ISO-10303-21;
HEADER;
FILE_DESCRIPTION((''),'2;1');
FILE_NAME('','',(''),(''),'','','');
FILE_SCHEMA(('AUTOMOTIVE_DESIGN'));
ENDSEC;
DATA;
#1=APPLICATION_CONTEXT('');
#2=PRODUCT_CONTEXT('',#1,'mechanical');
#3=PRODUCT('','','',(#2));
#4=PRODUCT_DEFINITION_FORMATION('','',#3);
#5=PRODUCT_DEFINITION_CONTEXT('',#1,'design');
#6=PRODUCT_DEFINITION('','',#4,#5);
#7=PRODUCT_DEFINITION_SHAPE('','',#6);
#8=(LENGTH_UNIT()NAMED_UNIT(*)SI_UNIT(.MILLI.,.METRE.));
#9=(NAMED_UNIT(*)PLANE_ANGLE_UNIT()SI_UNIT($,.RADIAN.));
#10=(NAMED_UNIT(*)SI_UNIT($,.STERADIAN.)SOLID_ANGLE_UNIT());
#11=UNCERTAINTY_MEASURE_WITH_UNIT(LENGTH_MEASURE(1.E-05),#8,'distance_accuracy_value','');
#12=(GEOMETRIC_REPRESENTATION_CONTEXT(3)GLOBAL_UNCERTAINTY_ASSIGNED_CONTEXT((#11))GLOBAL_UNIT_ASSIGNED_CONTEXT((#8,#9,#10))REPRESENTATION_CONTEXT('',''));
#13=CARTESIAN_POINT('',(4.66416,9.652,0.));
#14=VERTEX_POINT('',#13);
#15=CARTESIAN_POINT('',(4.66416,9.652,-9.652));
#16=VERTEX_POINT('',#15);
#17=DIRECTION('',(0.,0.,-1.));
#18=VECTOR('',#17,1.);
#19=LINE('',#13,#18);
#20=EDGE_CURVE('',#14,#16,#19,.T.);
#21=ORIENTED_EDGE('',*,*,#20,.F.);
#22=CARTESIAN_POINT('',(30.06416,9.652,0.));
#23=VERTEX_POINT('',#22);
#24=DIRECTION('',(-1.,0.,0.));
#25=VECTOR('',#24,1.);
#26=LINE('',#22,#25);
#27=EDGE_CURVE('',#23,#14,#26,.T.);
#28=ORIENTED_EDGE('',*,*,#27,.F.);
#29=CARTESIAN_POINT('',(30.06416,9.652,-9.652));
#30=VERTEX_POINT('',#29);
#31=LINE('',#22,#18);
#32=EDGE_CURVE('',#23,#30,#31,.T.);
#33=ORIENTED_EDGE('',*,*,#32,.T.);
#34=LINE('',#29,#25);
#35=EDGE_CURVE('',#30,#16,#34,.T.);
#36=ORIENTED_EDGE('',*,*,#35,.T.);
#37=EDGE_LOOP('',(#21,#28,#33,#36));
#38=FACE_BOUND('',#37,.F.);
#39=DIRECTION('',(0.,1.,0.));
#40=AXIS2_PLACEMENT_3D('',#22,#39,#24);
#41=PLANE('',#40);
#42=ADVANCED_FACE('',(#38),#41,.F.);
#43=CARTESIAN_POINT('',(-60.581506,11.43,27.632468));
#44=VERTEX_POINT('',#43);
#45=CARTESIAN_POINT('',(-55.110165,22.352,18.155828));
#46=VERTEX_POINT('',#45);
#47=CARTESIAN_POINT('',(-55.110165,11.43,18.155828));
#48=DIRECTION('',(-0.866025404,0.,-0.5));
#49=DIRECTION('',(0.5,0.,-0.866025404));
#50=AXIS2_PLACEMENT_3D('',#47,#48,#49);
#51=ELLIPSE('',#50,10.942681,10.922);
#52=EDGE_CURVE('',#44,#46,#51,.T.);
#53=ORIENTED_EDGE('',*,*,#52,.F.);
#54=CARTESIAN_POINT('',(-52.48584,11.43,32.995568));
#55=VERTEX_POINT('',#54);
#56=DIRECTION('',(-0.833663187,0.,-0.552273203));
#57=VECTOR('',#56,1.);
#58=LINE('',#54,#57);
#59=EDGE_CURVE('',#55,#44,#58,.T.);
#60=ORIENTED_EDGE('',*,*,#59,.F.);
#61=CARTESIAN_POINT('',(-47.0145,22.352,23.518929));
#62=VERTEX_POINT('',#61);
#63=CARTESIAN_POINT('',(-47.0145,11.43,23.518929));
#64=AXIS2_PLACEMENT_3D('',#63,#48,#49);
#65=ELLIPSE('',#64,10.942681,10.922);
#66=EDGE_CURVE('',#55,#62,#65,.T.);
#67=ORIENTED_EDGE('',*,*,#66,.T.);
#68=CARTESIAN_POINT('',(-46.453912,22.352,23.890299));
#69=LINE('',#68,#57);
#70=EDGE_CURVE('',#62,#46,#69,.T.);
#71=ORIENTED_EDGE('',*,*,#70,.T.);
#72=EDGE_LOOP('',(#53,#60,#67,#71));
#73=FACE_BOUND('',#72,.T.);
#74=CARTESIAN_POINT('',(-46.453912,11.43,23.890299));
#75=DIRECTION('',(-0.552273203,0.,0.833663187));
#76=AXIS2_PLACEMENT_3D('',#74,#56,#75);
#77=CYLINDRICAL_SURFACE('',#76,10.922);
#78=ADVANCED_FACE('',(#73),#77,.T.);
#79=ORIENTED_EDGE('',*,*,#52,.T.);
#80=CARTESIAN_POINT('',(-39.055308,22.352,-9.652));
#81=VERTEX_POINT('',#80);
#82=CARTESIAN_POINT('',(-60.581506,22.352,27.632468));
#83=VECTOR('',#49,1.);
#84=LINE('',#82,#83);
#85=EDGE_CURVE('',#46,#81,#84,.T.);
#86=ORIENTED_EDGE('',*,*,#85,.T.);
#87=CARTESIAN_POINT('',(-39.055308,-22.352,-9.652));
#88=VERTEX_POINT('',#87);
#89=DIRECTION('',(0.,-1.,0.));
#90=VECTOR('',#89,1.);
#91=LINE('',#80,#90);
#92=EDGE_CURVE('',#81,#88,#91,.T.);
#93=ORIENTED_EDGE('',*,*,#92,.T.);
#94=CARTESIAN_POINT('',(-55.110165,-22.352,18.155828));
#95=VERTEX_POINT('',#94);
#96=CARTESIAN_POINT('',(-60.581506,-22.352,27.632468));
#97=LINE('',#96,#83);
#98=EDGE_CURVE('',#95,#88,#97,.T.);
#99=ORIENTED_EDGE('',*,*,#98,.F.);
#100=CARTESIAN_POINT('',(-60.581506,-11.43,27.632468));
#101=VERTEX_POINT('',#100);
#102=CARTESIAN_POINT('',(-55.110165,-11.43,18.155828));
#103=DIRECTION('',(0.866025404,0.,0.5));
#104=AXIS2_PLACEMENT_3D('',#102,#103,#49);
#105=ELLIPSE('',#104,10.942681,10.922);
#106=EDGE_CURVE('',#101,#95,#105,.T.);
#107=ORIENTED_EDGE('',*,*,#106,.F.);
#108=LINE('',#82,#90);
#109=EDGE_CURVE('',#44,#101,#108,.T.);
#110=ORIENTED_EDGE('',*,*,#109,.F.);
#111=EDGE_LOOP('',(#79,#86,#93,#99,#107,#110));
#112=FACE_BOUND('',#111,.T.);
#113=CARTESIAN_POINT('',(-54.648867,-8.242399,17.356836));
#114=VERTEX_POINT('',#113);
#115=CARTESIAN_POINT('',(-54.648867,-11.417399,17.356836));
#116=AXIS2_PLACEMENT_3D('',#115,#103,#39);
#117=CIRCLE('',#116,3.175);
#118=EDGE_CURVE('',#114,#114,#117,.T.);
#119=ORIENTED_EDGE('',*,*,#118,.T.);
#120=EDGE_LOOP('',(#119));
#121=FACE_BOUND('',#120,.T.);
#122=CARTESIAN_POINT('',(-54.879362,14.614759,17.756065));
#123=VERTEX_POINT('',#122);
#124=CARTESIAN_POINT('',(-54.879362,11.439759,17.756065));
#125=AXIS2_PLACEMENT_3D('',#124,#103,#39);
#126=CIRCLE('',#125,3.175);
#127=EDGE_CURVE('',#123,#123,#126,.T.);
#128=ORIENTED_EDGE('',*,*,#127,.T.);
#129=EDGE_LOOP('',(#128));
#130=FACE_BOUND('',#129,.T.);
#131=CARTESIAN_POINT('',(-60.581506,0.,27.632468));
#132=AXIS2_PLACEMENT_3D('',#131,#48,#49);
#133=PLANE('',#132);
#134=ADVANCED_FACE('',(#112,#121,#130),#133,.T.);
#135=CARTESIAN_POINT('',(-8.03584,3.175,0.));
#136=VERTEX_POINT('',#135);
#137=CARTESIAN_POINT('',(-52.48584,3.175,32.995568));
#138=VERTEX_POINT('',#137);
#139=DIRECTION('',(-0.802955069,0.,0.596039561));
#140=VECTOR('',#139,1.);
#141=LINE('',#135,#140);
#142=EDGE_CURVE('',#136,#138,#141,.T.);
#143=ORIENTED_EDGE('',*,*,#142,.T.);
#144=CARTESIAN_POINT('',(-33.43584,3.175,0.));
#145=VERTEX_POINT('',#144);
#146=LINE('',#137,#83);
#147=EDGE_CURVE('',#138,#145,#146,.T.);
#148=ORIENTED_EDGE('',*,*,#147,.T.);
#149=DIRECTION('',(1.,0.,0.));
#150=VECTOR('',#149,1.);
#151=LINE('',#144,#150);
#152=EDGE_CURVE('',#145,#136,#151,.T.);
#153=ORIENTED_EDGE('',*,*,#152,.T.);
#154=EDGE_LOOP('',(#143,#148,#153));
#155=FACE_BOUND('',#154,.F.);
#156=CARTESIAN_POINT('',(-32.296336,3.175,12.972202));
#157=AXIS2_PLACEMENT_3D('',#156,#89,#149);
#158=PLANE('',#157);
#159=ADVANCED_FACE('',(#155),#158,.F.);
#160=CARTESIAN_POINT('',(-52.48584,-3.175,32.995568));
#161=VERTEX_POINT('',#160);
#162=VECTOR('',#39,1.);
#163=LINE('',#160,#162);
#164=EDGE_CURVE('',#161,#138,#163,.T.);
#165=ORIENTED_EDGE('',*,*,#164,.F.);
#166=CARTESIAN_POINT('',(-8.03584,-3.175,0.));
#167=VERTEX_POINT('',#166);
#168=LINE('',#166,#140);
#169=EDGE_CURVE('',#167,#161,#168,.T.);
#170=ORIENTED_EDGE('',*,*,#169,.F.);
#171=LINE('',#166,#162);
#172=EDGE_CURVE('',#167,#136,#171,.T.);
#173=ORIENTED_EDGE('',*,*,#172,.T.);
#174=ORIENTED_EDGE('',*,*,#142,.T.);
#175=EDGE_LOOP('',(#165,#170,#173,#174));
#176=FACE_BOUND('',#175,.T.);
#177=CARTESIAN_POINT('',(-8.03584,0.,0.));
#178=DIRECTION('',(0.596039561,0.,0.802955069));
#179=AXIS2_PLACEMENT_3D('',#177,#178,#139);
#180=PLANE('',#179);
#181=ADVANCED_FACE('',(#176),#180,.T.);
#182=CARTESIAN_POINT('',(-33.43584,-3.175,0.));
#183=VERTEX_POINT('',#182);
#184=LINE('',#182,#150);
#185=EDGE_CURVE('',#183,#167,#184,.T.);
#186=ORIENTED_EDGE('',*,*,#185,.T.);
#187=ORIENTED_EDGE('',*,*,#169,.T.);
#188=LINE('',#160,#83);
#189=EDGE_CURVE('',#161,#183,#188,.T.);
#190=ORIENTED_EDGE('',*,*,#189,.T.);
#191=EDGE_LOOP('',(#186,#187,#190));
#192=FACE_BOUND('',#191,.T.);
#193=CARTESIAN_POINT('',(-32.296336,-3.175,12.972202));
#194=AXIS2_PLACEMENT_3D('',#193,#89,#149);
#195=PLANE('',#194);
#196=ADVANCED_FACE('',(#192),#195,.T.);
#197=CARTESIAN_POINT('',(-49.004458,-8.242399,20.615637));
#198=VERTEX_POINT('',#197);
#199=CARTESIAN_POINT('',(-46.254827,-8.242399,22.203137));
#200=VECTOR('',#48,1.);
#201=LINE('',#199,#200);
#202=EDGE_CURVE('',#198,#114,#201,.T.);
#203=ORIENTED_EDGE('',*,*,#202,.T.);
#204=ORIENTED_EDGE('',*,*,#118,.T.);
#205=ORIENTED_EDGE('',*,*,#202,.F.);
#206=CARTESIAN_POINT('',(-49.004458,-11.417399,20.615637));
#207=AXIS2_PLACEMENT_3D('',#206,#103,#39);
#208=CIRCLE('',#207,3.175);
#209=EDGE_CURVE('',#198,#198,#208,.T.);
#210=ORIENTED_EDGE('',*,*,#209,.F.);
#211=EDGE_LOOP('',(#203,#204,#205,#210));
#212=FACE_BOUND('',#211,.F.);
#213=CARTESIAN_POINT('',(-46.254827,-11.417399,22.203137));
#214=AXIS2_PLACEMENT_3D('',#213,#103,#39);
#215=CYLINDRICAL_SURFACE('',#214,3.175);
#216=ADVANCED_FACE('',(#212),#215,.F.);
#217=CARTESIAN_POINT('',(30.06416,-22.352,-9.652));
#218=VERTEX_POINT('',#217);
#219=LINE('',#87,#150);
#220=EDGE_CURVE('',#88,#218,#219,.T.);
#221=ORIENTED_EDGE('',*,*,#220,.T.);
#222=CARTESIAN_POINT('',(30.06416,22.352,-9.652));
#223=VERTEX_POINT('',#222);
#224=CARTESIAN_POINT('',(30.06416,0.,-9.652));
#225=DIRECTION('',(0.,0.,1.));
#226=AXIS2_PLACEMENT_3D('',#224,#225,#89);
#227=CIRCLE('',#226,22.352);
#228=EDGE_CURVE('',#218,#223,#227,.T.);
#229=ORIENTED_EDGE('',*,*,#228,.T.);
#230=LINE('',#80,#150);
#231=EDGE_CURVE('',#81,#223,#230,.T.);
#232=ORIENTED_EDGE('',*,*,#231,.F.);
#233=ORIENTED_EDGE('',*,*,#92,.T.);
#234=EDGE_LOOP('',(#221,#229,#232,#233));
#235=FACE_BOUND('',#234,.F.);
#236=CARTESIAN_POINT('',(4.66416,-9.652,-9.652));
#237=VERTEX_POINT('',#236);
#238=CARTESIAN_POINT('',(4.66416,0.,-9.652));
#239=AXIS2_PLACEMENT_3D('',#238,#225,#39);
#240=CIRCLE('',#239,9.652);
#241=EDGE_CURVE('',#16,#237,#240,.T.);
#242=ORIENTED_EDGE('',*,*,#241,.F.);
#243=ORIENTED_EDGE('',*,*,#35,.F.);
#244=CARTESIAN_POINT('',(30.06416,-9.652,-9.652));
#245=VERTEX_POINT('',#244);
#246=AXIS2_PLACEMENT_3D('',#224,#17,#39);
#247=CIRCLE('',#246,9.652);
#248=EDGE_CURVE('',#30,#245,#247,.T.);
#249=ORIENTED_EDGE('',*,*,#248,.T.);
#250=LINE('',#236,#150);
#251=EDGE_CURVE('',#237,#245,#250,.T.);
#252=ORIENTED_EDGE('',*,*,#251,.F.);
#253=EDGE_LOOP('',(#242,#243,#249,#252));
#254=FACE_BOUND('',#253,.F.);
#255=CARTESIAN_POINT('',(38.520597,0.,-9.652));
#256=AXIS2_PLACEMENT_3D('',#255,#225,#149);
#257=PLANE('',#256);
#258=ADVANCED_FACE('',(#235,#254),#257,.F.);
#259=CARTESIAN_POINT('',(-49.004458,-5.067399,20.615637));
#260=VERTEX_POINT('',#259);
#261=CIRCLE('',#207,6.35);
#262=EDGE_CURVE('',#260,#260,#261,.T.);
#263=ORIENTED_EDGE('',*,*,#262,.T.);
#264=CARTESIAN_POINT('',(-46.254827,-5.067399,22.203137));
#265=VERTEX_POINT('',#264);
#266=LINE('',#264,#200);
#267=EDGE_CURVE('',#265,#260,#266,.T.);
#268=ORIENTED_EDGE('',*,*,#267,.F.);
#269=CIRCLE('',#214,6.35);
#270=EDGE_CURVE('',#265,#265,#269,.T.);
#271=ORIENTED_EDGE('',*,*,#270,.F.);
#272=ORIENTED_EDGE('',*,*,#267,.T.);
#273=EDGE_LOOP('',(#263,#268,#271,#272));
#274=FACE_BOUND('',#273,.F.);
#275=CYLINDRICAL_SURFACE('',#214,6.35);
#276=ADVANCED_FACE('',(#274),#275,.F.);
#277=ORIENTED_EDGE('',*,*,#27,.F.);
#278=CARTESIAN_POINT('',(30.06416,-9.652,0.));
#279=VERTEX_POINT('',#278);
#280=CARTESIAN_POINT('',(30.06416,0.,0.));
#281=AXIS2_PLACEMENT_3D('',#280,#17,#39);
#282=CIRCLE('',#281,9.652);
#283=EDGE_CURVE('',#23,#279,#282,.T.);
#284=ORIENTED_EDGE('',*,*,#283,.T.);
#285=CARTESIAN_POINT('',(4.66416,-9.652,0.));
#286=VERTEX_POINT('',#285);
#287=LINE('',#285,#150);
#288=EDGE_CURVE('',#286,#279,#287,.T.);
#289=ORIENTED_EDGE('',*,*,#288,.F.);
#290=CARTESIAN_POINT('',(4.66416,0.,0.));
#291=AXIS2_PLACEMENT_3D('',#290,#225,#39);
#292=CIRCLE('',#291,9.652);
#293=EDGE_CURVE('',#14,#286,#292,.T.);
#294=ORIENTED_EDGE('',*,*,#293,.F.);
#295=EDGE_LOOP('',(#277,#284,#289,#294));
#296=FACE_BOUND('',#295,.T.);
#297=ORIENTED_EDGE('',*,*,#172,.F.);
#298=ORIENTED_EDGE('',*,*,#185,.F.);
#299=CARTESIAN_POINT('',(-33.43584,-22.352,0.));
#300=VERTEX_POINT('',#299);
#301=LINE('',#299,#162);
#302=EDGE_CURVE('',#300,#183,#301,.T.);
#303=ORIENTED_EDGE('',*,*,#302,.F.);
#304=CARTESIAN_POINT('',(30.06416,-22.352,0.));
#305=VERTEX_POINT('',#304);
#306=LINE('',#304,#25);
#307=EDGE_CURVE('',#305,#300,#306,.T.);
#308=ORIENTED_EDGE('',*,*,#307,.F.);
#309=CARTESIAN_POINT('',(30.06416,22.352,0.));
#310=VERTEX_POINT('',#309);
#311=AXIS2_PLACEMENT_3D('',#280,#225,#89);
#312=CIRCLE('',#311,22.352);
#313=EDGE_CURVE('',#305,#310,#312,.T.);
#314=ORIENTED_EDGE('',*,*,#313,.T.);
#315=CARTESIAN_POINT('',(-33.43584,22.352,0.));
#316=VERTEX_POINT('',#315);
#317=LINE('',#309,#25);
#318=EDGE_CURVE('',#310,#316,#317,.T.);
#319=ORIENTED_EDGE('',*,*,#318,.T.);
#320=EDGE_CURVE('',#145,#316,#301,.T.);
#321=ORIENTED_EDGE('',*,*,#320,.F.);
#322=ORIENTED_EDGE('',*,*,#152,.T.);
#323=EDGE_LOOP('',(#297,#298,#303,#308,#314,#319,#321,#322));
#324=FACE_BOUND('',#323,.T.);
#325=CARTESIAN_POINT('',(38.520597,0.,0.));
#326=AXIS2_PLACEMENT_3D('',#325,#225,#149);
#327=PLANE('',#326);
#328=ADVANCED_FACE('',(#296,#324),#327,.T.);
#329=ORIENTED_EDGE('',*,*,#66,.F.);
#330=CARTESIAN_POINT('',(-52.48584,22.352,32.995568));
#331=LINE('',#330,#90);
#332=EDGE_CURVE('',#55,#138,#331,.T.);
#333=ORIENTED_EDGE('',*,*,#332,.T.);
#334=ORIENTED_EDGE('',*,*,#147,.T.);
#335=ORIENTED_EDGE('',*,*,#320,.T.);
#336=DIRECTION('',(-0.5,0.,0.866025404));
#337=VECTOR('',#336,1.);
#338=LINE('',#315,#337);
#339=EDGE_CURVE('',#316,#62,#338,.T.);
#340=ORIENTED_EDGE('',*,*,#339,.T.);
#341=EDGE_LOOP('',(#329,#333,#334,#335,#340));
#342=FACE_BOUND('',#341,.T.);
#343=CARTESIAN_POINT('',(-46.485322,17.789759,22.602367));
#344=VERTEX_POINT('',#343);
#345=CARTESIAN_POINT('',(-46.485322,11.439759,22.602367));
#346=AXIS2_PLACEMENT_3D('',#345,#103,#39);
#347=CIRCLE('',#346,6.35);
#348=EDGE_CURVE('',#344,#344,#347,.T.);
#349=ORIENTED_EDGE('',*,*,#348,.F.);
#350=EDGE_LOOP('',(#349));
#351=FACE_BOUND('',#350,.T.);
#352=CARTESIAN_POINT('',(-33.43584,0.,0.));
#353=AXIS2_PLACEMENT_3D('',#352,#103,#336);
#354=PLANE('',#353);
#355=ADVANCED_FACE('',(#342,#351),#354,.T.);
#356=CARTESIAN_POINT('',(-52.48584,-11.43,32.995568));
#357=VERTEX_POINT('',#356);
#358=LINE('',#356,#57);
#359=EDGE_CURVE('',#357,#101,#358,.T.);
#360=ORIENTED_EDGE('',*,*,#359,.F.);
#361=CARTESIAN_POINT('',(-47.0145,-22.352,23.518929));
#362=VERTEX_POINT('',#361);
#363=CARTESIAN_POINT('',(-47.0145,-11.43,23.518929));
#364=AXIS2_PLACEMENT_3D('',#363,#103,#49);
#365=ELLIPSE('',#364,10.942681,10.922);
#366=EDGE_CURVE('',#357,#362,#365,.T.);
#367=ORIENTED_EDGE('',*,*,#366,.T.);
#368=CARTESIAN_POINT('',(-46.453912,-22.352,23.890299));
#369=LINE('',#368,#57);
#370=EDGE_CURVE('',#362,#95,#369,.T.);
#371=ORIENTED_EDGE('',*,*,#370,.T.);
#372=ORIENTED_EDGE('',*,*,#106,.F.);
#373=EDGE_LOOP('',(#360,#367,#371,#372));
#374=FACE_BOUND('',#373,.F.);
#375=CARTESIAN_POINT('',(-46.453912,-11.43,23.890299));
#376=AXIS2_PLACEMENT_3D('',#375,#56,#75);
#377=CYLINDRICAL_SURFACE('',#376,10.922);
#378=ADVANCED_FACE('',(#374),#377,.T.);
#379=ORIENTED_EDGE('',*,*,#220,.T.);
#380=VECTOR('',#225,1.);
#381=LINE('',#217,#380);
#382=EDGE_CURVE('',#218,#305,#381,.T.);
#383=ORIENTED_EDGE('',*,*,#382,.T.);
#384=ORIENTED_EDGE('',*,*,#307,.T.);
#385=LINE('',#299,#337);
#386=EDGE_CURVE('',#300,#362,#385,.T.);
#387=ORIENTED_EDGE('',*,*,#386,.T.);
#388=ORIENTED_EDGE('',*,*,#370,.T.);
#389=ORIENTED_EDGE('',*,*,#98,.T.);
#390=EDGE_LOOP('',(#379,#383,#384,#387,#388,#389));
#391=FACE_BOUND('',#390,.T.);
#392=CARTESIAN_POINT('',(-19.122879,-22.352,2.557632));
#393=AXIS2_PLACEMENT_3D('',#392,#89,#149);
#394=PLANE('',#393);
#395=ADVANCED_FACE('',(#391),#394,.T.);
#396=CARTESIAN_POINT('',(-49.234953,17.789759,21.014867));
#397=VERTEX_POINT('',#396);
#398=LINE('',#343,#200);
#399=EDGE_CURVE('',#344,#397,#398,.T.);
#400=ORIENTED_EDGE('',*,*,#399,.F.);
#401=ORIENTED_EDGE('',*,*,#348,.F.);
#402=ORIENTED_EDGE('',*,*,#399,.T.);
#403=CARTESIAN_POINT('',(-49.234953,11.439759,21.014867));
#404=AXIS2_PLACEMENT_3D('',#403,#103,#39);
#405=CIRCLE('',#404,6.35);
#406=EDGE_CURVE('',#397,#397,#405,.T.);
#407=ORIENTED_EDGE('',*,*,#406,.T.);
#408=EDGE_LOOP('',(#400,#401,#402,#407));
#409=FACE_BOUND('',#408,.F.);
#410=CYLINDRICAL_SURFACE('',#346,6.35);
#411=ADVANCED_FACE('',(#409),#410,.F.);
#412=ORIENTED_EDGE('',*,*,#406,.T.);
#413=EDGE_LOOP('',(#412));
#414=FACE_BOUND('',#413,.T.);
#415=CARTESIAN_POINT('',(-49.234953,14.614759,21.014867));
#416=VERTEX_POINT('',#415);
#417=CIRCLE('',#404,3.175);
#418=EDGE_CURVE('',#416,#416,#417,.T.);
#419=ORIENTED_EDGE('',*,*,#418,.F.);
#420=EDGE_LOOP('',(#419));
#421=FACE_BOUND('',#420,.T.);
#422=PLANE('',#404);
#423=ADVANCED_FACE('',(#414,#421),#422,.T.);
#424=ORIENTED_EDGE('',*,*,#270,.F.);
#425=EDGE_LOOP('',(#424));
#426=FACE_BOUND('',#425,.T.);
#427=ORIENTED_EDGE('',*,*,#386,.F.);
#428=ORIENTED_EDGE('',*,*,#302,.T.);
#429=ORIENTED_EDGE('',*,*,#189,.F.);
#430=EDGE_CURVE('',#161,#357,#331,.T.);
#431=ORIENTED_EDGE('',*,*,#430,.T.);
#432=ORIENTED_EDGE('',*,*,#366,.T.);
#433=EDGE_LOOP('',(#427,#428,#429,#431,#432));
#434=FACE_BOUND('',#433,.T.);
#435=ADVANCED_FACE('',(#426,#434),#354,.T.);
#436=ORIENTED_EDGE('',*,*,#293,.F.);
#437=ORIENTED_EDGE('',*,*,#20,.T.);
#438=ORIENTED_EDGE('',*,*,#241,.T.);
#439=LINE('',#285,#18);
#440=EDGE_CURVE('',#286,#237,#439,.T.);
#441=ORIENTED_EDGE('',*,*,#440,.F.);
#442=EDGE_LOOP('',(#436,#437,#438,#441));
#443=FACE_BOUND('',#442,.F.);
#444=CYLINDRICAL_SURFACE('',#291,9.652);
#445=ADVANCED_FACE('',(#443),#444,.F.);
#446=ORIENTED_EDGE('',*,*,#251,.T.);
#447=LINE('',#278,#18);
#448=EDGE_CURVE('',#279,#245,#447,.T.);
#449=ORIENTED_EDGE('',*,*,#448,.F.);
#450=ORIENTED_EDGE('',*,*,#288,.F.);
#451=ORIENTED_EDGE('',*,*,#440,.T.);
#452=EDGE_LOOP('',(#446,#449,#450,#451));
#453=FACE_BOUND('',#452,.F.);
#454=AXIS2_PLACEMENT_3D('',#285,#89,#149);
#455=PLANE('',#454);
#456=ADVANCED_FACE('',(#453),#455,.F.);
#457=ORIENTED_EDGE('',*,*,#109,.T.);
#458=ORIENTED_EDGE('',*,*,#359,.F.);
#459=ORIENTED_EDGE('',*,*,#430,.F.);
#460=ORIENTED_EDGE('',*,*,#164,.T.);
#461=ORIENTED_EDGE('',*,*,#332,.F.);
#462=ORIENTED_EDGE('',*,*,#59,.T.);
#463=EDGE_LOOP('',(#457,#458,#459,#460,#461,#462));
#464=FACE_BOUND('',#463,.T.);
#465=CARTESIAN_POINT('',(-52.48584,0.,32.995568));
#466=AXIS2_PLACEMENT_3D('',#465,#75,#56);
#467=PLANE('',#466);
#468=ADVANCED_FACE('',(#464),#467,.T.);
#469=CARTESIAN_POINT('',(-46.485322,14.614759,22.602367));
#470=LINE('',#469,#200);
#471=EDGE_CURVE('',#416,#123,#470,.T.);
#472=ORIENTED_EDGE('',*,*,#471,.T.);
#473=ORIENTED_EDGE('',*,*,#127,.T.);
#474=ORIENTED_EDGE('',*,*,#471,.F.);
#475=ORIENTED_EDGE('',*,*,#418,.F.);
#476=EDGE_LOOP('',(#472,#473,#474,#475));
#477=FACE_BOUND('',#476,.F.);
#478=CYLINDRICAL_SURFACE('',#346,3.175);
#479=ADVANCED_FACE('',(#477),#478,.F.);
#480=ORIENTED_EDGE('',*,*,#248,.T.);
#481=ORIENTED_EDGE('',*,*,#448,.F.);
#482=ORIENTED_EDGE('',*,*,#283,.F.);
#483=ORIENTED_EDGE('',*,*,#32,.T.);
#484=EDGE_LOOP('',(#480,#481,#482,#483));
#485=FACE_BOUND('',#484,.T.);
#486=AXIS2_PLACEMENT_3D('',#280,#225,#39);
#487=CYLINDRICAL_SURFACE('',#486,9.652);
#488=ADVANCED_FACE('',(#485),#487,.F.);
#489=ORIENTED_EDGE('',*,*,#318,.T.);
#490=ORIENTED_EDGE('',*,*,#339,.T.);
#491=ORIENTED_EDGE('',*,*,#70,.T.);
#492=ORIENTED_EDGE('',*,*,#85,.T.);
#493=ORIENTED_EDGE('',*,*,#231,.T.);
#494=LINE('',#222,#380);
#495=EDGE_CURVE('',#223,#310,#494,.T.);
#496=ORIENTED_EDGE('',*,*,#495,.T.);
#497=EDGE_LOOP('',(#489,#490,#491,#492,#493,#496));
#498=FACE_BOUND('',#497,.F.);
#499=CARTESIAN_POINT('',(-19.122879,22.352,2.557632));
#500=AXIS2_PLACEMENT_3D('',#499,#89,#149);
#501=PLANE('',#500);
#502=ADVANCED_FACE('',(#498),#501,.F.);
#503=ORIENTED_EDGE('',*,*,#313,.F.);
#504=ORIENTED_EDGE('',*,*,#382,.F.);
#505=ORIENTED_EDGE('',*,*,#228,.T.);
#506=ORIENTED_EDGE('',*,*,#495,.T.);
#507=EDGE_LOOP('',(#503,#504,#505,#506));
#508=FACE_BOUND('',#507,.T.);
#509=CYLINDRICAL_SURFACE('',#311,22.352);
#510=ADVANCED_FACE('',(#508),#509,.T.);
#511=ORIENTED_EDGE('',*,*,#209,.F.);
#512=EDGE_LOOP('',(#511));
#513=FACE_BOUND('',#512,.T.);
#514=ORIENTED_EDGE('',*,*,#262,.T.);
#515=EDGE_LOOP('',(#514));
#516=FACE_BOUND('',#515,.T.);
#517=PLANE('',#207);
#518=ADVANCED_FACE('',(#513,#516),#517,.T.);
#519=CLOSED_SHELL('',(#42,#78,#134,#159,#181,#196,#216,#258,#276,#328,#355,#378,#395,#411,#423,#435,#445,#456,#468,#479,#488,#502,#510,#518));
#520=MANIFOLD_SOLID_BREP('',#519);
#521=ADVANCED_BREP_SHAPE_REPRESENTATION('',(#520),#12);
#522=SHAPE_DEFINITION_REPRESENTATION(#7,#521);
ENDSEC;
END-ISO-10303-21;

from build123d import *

# Parameters (mm, degrees)
F1_DEPTH  = 22.352
F2_DEPTH  = 3.175
F3_R      = 10.922
F5_DEPTH  = 9.652
F6_DEPTH  = 9.652
F8_R      = 3.175
F9_DEPTH  = 22.352
F8_R_2    = 6.35
F10_DEPTH = 3.175


with BuildPart() as f1:
    # F0 (on Front) → F1 (new body, symmetric)
    with BuildSketch(Plane.XZ):
        Polygon((-8.0358399709, 0), (-33.4358399709, 0), (-52.4858399709, 32.9955678842), (-60.5815056276, 27.632467684), (-39.0553081737, -9.652), (30.0641600291, -9.652), (30.0641600291, 0), align=None)
    extrude(amount=F1_DEPTH, both=True)

    # F0 (on Front) → F2 (join, symmetric)
    with BuildSketch(Plane.XZ):
        Polygon((-52.4858399709, 32.9955678842), (-33.4358399709, 0), (-8.0358399709, 0), align=None)
    extrude(amount=F2_DEPTH, both=True)

    # F3
    f3_edges = [f1.edges().sort_by_distance(p)[0] for p in [
        (-56.533673, -22.352, 30.314018),
        (-56.533673, 22.352, 30.314018),
    ]]
    fillet(f3_edges, radius=F3_R)

    # F4 (on face) → F5 (join)
    with BuildSketch(Plane.XY):
        with BuildLine():
            Line((30.0641600291, -9.652), (30.0641600291, -22.352))
            ThreePointArc((30.0641600291, -22.352), (52.4161600291, 0), (30.0641600291, 22.352))
            Line((30.0641600291, 22.352), (30.0641600291, 9.652))
            ThreePointArc((30.0641600291, 9.652), (39.7161600291, 0), (30.0641600291, -9.652))
        make_face()
    extrude(amount=-F5_DEPTH)

    # F4 (on face) → F6 (cut)
    with BuildSketch(Plane.XY):
        with BuildLine():
            Line((4.6641600291, -9.652), (30.0641600291, -9.652))
            Line((30.0641600291, -9.652), (30.0641600291, 0))
            Line((30.0641600291, 0), (30.0641600291, 9.652))
            Line((30.0641600291, 9.652), (4.6641600291, 9.652))
            ThreePointArc((4.6641600291, 9.652), (-4.9878399709, 0), (4.6641600291, -9.652))
        make_face()
    extrude(amount=-F6_DEPTH, mode=Mode.SUBTRACT)

    # F8 (on face) → F9 (cut)
    with BuildSketch(Plane(origin=(-25.0768799782, 0, -14.4781434058), x_dir=(0, 1, 0), z_dir=(0.8660254038, 0, 0.5))):
        with Locations((-11.417399453, 42.3558945687)):
            Circle(F8_R)
        with Locations((11.4397590045, 42.816884833)):
            Circle(F8_R)
    extrude(amount=-F9_DEPTH, mode=Mode.SUBTRACT)

    # F8 (on face) → F10 (cut)
    with BuildSketch(Plane(origin=(-25.0768799782, 0, -14.4781434058), x_dir=(0, 1, 0), z_dir=(0.8660254038, 0, 0.5))):
        with Locations((-11.417399453, 42.3558945687)):
            Circle(F8_R_2)
        with Locations((-11.417399453, 42.3558945687)):
            Circle(F8_R, mode=Mode.SUBTRACT)
        with Locations((11.4397590045, 42.816884833)):
            Circle(F8_R_2)
        with Locations((11.4397590045, 42.816884833)):
            Circle(F8_R, mode=Mode.SUBTRACT)
    extrude(amount=-F10_DEPTH, mode=Mode.SUBTRACT)


solid = f1.part
